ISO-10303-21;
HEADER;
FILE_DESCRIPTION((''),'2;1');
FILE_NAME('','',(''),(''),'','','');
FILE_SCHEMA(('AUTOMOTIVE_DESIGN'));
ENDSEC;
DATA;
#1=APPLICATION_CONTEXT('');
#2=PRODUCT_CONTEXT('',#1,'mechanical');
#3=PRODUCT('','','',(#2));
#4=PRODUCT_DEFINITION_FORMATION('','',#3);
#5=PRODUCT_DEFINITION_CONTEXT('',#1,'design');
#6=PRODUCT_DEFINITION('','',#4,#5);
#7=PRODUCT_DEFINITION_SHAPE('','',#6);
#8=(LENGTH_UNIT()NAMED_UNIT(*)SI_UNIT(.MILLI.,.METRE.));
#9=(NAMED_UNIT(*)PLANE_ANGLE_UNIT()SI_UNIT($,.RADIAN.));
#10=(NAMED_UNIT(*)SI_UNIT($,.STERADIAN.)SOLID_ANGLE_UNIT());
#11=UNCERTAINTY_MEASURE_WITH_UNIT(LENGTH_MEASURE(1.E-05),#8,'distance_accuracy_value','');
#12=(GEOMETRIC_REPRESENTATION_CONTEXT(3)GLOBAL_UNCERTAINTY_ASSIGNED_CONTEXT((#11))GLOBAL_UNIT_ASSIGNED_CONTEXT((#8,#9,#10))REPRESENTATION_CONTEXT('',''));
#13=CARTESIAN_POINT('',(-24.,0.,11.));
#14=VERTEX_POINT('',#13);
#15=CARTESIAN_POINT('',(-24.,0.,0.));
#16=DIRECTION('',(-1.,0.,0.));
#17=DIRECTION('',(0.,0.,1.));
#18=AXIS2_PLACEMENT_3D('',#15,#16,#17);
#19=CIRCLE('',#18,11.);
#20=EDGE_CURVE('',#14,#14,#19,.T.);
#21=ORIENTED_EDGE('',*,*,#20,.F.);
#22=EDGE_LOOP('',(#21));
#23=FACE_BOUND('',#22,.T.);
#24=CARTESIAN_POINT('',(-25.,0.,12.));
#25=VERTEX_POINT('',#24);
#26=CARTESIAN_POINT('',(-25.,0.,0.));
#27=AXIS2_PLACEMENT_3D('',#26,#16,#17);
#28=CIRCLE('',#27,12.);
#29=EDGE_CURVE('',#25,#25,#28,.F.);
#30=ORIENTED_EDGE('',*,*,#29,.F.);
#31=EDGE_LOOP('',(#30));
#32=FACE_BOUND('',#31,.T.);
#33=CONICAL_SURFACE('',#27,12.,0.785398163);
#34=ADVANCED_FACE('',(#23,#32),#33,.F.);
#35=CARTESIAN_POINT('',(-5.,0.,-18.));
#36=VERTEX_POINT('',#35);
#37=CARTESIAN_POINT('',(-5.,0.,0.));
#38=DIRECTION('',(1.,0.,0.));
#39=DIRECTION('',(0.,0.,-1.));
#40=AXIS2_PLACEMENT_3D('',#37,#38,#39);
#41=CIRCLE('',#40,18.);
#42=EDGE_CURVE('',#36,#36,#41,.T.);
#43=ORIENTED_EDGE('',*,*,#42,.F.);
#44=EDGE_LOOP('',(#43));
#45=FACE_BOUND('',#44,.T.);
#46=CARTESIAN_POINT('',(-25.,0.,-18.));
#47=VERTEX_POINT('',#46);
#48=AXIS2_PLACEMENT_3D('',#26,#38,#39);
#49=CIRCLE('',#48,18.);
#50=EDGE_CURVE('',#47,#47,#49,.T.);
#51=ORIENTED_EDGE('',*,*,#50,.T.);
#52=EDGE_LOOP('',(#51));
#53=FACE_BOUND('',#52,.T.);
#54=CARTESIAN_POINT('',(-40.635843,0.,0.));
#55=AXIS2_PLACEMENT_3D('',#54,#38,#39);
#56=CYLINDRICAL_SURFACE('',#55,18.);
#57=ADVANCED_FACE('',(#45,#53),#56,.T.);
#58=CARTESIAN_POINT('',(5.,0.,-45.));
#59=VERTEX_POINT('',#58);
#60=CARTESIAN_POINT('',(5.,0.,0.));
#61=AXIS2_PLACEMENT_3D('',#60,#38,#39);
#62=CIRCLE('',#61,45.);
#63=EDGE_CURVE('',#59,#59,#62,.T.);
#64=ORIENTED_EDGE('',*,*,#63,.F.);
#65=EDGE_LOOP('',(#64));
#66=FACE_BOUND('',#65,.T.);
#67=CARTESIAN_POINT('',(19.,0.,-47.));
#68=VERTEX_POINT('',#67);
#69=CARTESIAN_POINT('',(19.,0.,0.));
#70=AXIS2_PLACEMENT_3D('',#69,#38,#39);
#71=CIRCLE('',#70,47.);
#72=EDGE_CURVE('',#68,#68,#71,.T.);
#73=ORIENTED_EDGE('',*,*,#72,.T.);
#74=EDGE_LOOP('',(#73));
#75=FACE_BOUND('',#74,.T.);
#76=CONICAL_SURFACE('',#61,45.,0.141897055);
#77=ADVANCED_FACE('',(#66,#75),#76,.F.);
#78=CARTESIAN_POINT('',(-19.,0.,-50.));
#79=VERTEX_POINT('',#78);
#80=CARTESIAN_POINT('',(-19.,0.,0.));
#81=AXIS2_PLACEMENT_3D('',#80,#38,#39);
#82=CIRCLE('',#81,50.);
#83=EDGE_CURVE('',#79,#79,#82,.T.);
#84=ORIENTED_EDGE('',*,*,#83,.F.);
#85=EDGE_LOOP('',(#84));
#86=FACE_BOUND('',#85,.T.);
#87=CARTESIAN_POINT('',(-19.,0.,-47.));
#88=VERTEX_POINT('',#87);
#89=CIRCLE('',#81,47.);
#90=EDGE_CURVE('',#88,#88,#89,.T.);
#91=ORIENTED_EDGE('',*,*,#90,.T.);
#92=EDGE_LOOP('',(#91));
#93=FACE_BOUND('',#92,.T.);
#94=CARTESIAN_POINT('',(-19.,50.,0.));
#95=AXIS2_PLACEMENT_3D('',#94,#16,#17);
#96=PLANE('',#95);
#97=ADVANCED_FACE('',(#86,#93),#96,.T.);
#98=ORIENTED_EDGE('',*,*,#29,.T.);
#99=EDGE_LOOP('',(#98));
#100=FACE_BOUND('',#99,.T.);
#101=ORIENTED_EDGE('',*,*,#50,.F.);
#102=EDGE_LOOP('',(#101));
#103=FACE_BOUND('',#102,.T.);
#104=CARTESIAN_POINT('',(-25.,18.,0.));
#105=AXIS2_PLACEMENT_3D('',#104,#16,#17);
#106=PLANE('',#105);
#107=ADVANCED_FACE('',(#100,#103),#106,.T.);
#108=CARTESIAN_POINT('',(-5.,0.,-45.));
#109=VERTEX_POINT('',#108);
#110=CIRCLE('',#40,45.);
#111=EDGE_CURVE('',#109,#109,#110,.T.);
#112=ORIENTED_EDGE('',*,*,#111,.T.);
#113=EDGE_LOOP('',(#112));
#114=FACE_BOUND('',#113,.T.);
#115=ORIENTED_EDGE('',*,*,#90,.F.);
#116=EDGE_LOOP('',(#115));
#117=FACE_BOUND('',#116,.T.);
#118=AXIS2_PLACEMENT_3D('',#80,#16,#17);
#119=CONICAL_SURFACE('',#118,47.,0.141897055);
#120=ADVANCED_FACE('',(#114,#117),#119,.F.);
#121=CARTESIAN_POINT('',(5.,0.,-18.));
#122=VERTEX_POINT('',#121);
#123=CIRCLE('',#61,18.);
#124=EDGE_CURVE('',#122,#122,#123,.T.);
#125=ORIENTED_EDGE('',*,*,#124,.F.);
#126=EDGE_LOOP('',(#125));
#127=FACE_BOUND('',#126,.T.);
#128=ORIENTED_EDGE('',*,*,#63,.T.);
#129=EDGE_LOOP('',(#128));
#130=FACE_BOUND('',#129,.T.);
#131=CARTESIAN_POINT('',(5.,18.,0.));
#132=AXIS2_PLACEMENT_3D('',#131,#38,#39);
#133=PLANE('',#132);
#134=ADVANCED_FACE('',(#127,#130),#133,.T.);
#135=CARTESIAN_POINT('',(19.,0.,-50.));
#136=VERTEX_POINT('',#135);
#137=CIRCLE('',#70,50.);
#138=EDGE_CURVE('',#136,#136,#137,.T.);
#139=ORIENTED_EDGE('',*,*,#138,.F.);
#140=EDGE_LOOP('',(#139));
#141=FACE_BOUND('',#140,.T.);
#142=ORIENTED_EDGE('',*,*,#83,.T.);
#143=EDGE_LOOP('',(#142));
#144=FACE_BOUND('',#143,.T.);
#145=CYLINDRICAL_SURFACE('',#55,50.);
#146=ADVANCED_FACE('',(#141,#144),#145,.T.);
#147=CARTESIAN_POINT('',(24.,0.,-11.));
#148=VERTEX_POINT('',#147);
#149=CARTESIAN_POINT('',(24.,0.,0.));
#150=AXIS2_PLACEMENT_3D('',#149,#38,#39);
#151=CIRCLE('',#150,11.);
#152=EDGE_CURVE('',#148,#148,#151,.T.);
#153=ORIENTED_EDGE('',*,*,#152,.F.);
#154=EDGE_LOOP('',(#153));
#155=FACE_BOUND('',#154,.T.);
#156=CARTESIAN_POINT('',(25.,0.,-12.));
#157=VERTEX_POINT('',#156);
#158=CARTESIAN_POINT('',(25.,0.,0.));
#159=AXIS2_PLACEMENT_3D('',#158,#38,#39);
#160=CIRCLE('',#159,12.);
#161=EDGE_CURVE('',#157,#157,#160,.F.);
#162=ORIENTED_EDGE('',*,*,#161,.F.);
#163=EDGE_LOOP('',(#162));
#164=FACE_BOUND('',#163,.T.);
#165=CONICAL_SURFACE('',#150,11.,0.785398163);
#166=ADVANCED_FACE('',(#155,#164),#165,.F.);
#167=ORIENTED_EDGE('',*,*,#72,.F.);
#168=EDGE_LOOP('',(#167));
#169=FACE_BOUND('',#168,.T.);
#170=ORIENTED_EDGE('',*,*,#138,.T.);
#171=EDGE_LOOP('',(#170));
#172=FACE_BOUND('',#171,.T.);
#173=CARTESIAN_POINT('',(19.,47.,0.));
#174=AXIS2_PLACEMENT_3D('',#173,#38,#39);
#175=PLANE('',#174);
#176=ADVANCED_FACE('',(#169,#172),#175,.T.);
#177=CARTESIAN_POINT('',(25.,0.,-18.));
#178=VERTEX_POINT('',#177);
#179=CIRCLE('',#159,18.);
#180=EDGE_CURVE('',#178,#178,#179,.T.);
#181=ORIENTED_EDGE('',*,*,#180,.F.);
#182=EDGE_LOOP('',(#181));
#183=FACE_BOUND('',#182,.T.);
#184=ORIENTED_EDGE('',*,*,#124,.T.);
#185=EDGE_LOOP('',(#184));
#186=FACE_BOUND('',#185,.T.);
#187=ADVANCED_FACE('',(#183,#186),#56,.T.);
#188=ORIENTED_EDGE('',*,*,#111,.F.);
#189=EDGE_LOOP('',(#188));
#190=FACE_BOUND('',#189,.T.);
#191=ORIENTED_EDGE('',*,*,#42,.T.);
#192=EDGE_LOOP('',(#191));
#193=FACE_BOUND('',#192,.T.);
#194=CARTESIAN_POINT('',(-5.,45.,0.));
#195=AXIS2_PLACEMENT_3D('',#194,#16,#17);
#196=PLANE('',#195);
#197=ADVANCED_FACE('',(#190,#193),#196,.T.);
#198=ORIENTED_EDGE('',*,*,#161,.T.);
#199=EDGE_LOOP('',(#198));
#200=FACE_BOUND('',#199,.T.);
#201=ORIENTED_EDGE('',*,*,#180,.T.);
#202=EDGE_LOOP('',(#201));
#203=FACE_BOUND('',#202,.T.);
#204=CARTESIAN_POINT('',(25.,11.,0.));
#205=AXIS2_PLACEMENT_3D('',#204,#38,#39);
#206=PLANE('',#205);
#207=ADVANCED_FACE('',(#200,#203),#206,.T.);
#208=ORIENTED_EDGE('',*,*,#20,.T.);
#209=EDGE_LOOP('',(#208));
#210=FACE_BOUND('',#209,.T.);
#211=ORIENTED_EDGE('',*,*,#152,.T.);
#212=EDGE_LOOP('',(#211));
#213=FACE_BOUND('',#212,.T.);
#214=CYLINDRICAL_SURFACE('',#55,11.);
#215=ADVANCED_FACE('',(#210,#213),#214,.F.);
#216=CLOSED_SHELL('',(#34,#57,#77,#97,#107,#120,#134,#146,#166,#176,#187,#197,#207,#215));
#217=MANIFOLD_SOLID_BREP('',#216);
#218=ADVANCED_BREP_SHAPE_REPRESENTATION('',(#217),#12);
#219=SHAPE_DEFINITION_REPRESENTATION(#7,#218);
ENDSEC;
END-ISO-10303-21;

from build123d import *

# Parameters (mm, degrees)
CHANFREIN1_SIZE = 1


with BuildPart() as part:
    # Esquisse1 → Révolution1 (revolve)
    with BuildSketch(Plane.XY, mode=Mode.PRIVATE) as r_volution1_sk:
        Polygon((-25, 11), (25, 11), (25, 18), (5, 18), (5, 45), (19, 47), (19, 50), (-19, 50), (-19, 47), (-5, 45), (-5, 18), (-25, 18), align=None)
    revolve(r_volution1_sk.sketch.rotate(Axis((-40.635842881, 0, 0), (1, 0, 0)), 270), axis=Axis((-40.635842881, 0, 0), (1, 0, 0)))

    # Chanfrein1
    chanfrein1_edges = [part.edges().sort_by_distance(p)[0] for p in [
        (-25, 0, 11),
        (25, 0, 11),
    ]]
    chamfer(chanfrein1_edges, length=CHANFREIN1_SIZE)


solid = part.part
